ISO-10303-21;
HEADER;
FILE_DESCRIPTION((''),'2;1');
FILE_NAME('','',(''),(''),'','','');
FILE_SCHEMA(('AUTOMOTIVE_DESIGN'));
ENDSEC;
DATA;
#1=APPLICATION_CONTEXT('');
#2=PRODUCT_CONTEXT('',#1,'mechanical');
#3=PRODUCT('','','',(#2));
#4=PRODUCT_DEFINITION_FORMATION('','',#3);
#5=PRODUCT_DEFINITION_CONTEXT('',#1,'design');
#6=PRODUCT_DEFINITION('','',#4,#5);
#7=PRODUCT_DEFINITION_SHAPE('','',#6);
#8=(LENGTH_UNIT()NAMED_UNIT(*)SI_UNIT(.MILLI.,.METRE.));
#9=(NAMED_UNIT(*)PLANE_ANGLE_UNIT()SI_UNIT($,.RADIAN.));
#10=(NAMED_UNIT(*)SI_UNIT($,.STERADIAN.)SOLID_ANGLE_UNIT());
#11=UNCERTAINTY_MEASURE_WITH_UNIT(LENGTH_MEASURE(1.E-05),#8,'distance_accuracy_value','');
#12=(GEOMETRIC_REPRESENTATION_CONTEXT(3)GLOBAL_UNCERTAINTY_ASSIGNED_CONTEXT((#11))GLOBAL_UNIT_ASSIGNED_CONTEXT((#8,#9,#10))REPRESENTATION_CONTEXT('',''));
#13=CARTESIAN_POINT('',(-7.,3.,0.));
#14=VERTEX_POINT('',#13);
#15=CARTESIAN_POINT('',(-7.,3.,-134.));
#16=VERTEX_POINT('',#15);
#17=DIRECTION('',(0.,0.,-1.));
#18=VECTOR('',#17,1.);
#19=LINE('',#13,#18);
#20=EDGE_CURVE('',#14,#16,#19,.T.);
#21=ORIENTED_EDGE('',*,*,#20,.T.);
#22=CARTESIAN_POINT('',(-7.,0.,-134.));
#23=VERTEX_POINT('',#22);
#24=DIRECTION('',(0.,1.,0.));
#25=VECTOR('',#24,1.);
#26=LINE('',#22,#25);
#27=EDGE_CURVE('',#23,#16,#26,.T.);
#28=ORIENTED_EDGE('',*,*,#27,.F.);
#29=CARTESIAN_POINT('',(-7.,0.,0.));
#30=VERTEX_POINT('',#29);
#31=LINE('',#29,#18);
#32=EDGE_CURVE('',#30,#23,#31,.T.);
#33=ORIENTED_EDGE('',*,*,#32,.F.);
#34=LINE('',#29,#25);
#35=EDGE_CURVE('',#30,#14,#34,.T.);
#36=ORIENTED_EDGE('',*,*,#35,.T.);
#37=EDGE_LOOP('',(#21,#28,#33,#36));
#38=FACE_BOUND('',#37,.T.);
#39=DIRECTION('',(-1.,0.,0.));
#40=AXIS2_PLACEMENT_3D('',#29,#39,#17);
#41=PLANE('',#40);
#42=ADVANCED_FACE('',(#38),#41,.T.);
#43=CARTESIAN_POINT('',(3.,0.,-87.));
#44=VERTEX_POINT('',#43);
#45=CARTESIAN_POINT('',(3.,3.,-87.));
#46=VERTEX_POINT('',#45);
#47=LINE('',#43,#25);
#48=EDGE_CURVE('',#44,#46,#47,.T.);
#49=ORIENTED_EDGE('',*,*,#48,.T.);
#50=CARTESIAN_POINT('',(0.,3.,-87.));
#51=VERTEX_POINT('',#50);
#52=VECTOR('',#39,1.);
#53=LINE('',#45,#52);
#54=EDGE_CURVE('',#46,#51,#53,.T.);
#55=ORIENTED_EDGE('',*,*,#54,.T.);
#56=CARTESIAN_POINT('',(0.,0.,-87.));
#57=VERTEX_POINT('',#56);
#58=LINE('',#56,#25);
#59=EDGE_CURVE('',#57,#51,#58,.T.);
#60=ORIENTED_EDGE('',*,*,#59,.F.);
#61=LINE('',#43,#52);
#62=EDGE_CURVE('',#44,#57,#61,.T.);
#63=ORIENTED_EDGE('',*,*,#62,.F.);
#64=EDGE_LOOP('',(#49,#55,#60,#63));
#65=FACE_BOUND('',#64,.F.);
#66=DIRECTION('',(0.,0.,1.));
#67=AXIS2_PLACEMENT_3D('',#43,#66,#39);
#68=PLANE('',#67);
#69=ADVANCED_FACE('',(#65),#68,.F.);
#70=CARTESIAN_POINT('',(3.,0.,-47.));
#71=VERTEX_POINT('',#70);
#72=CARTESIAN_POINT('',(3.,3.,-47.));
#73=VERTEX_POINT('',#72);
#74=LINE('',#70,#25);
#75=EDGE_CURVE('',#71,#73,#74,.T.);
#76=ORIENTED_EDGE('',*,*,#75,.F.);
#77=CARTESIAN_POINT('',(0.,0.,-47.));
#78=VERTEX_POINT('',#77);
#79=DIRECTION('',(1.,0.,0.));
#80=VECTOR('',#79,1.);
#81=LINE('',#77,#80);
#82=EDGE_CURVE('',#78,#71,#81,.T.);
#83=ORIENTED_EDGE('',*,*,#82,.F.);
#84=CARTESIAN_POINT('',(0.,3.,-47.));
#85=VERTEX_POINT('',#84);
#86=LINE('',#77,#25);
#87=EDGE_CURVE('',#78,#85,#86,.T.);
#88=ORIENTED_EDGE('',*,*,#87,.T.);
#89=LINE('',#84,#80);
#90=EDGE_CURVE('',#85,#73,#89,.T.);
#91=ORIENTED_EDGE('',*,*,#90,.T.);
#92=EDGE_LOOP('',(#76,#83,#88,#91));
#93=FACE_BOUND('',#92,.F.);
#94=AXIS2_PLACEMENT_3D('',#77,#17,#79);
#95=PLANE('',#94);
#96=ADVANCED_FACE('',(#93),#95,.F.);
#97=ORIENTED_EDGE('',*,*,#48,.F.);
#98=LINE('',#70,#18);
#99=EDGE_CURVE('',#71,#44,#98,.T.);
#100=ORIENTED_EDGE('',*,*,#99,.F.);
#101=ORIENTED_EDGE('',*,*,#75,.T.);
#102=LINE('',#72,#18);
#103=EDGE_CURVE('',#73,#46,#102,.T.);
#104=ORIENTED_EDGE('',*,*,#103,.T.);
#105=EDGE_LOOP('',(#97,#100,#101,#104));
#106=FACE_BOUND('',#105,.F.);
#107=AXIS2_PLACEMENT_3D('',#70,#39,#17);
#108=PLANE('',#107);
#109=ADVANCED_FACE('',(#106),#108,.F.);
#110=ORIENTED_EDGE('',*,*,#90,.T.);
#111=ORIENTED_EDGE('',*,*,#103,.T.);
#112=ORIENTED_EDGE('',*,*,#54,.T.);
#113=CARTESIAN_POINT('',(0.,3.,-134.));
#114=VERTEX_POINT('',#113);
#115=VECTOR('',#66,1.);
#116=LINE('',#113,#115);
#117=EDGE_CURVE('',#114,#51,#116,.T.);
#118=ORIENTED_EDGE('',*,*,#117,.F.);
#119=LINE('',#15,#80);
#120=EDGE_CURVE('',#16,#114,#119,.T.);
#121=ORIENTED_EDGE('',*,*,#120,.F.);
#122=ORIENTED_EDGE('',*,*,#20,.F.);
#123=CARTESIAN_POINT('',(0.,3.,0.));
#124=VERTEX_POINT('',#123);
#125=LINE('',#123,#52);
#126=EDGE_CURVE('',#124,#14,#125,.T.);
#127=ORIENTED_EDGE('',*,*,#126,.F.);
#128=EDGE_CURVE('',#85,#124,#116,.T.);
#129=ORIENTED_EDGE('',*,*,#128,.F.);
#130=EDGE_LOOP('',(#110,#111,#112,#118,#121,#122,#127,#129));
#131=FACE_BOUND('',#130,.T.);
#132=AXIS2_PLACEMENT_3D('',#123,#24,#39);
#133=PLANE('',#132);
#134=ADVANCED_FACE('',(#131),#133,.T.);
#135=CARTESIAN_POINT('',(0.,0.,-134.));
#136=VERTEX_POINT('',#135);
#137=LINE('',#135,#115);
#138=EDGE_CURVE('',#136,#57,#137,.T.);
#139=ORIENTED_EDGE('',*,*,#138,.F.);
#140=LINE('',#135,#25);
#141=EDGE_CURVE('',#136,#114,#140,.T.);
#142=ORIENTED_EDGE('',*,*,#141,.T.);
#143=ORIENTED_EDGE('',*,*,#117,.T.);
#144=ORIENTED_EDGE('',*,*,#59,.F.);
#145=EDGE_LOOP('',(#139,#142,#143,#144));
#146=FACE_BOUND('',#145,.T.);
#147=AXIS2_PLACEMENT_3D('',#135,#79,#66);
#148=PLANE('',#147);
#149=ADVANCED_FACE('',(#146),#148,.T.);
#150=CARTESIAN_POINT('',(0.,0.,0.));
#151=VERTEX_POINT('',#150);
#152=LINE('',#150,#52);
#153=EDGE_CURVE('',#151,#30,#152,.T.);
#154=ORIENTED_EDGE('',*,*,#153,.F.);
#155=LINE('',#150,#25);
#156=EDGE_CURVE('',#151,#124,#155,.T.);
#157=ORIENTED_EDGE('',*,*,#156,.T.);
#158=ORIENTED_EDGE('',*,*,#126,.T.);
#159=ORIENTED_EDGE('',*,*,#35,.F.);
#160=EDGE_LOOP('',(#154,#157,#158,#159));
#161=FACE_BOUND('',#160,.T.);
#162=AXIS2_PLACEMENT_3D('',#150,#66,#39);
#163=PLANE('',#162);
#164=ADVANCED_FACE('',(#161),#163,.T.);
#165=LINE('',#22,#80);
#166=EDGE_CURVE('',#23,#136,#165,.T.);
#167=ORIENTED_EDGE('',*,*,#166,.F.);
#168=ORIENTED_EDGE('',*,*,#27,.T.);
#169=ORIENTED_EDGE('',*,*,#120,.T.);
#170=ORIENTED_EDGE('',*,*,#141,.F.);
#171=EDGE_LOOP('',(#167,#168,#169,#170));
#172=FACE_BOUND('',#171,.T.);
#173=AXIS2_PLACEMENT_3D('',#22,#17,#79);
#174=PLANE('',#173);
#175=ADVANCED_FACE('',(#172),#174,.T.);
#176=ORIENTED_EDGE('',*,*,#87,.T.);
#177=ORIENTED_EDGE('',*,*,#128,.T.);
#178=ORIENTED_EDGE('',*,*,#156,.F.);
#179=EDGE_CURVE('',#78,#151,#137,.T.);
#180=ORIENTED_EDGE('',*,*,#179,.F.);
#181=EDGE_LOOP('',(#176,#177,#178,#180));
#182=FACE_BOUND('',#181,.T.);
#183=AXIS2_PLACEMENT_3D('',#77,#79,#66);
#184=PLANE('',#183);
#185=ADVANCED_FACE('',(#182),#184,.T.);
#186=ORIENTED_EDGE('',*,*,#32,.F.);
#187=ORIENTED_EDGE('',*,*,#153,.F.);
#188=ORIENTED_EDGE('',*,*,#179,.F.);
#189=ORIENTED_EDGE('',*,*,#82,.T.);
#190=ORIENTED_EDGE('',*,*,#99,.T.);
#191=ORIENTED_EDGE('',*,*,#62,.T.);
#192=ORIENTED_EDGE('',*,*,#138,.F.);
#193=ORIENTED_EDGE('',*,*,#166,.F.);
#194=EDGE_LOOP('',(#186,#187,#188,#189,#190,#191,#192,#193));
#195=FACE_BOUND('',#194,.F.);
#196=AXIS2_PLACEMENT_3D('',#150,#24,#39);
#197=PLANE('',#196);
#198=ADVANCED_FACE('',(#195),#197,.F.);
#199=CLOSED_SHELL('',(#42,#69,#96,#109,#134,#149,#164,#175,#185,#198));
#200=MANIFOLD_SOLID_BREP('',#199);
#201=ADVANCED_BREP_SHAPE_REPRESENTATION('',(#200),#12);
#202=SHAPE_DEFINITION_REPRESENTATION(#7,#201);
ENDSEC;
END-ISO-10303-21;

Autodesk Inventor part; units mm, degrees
ref_plane "YZ Plane" through (0, 0, 0) normal (1, 0, 0) x (0, 1, 0)
ref_plane "XZ Plane" through (0, 0, 0) normal (0, 1, 0) x (-1, 0, 0)
ref_plane "XY Plane" through (0, 0, 0) normal (0, 0, 1) x (1, 0, 0)
sketch "Sketch1" plane through (0, 0, 0) normal (0, 1, 0) x (-1, 0, 0)
  line L0 (0, 0) -> (7, 0)
  line L1 (7, 0) -> (7, -134)
  line L2 (7, -134) -> (0, -134)
  line L3 (0, -134) -> (0, 0)
  line L4 (0, -47) -> (-3, -47)
  line L5 (-3, -47) -> (-3, -87)
  line L6 (-3, -87) -> (0, -87)
  line L7 (0, -87) -> (0, -47)
  line L8 (7, -67) -> (0, -67) construction
  line L9 (-3, -67) -> (0, -67) construction
  point P0 (0, -87)
  dimension "d0" = 134
  dimension "d1" = 3
  dimension "d2" = 40
  dimension "d3" = 7
extrude "Extrusion1" add sketch "Sketch1" along normal blind 3
properties part number "Lateral Potentiometers short"
